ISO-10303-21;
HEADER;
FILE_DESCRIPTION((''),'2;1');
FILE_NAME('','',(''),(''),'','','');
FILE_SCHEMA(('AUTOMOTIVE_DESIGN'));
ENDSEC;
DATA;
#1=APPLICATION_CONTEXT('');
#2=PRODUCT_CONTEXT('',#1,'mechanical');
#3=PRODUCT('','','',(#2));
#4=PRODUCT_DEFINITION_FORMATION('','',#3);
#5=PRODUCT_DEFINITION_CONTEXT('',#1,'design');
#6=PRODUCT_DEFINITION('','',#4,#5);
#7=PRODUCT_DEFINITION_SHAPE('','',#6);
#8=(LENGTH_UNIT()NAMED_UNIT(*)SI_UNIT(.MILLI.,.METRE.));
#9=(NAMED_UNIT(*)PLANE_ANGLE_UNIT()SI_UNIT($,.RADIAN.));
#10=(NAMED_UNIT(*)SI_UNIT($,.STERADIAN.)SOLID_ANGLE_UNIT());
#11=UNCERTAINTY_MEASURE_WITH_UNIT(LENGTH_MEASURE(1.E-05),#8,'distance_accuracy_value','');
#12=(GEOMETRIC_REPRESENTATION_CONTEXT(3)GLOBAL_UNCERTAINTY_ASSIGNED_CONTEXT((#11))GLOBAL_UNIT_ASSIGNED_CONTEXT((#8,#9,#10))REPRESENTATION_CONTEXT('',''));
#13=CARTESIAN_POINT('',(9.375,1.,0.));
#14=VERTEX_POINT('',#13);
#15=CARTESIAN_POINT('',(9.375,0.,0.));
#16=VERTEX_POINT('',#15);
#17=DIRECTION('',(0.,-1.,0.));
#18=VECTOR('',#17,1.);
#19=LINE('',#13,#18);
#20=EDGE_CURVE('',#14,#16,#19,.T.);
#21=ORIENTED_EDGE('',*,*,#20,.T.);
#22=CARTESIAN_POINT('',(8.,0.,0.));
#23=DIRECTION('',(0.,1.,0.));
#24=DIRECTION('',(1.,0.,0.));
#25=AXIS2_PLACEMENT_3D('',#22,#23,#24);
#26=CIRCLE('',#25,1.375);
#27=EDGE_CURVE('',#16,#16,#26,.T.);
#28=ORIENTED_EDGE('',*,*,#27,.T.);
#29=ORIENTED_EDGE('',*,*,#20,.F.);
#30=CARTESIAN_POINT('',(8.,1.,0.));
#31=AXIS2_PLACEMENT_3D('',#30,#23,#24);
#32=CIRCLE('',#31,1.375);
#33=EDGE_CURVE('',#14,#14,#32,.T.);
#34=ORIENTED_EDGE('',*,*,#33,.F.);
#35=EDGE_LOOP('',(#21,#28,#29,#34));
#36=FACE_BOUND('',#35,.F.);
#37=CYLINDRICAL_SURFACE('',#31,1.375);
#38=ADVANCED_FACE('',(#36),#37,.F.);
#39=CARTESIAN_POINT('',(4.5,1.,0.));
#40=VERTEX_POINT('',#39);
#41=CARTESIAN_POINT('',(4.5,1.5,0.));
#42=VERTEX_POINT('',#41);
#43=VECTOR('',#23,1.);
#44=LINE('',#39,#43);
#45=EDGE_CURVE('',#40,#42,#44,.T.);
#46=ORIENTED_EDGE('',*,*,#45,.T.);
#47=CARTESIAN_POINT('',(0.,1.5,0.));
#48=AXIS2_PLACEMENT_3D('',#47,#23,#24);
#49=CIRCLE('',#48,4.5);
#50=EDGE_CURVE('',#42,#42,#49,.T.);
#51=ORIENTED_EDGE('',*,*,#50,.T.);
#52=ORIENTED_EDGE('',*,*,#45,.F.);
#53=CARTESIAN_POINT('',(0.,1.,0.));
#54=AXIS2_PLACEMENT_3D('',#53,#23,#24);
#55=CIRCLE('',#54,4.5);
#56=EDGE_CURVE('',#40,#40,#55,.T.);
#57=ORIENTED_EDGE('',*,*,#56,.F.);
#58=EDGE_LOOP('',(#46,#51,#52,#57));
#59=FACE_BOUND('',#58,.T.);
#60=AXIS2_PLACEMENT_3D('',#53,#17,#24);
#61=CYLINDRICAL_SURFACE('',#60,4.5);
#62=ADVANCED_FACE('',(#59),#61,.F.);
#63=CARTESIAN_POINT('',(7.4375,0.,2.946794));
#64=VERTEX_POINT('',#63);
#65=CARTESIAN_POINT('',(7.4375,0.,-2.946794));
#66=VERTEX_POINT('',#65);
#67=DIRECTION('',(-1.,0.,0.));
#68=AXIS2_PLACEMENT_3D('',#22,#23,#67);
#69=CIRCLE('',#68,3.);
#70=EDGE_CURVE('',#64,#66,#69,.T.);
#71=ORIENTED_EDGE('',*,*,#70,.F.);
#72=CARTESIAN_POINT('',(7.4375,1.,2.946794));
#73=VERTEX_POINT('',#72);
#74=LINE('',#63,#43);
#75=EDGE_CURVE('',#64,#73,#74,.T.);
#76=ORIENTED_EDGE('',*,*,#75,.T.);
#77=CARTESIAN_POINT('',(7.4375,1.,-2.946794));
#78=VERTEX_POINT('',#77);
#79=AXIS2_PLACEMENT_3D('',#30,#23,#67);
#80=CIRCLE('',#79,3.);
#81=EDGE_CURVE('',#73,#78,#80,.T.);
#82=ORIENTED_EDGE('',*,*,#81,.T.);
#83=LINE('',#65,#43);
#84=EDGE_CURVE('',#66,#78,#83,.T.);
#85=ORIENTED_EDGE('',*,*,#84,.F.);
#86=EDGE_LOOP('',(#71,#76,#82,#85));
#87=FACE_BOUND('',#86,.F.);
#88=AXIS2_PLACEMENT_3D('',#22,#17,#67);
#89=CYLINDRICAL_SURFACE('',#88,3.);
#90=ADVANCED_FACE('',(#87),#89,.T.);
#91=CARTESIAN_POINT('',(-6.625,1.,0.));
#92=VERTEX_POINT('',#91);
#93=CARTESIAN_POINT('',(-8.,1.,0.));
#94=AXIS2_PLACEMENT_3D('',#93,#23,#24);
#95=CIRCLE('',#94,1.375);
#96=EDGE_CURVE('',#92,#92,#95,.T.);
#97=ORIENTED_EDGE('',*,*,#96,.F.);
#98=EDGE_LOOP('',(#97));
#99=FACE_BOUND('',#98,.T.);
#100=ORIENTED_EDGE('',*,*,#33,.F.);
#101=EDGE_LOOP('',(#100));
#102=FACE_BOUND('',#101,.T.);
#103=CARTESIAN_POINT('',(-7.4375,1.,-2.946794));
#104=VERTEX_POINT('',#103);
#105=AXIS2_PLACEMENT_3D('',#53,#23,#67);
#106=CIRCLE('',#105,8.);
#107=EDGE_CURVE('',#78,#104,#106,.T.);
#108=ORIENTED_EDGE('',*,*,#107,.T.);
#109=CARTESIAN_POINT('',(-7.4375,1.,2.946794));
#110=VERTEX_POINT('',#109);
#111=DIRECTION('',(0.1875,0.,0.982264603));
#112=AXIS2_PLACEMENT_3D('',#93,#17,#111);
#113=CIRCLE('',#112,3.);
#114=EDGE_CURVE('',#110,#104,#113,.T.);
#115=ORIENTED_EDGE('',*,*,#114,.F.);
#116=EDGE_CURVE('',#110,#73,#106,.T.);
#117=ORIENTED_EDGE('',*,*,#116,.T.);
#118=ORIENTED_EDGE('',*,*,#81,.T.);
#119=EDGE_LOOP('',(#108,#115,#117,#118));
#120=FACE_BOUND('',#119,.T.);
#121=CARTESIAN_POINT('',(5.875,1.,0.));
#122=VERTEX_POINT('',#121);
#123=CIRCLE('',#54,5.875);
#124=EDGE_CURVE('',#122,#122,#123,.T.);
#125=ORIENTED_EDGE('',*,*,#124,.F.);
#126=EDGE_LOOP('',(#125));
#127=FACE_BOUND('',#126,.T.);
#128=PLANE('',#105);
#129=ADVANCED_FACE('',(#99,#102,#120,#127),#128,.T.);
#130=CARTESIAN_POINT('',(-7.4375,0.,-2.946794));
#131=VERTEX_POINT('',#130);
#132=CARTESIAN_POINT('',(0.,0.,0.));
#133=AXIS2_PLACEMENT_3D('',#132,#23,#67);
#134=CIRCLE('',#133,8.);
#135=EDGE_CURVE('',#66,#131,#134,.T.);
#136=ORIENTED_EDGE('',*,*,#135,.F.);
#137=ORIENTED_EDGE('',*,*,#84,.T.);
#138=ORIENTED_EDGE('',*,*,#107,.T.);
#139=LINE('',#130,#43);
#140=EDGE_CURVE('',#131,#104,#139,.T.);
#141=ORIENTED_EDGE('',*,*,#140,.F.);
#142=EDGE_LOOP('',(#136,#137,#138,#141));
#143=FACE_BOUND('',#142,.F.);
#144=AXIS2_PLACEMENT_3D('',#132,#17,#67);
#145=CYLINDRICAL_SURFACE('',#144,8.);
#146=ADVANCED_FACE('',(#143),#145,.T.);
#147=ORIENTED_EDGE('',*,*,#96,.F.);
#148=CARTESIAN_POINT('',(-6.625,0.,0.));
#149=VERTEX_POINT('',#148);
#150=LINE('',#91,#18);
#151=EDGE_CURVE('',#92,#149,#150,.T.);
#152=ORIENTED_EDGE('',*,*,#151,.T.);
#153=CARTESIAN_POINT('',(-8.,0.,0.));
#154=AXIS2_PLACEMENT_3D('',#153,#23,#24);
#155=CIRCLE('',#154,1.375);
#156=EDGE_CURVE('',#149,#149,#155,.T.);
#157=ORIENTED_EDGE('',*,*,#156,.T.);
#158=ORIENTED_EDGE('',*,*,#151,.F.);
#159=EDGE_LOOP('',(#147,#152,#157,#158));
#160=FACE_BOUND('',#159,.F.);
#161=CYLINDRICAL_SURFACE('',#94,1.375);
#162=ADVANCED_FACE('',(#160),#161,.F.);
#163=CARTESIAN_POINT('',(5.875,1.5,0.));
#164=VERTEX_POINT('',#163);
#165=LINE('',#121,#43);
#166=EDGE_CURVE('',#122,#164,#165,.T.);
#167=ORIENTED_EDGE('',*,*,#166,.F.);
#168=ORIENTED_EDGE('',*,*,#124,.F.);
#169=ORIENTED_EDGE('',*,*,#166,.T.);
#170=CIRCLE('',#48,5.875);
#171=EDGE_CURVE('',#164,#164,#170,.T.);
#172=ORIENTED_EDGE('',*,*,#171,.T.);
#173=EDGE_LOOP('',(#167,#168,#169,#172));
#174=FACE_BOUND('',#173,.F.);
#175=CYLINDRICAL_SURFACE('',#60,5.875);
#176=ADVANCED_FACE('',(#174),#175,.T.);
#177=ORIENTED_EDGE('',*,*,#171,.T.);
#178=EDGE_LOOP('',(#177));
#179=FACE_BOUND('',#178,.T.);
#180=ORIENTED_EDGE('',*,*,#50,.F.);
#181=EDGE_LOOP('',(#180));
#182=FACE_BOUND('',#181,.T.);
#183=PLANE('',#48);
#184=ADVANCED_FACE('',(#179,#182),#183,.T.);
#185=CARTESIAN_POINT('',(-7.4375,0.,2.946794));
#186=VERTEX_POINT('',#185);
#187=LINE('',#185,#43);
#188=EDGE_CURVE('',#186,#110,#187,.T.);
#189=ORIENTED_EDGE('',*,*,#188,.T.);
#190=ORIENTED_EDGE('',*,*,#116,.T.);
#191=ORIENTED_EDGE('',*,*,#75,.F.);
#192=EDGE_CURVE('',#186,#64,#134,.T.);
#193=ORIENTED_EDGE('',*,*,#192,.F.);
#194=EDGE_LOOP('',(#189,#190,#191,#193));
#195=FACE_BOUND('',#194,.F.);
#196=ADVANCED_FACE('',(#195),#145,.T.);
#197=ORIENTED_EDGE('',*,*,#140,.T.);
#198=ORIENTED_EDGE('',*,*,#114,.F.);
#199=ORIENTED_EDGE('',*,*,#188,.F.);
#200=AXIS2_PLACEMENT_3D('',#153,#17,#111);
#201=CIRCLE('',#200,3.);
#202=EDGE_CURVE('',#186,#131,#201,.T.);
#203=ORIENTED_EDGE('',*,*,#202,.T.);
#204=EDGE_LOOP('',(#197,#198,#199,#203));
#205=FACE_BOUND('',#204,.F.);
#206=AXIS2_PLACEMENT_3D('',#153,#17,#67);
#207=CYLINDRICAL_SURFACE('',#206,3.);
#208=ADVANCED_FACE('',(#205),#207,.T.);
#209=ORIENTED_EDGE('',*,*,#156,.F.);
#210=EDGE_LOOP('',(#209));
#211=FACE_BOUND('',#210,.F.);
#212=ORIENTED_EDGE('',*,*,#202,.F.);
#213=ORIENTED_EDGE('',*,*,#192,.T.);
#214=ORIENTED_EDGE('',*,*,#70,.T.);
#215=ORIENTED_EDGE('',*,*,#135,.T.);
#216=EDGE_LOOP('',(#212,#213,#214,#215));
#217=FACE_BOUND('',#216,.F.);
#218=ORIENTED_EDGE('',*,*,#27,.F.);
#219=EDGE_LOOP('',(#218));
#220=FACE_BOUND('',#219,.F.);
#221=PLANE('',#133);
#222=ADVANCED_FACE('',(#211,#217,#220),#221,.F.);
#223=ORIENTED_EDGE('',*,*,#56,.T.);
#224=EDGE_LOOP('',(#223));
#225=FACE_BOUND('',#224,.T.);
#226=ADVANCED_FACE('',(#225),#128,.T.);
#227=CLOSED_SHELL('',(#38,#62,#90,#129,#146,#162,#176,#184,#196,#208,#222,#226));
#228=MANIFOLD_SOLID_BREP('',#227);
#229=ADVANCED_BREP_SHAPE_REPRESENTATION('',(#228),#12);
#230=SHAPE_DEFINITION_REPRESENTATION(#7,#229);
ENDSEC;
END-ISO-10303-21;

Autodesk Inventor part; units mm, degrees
ref_plane "YZ Plane" through (0, 0, 0) normal (1, 0, 0) x (0, 1, 0)
ref_plane "XZ Plane" through (0, 0, 0) normal (0, 1, 0) x (-1, 0, 0)
ref_plane "XY Plane" through (0, 0, 0) normal (0, 0, 1) x (1, 0, 0)
sketch "Skizze1" plane through (0, 0, 0) normal (0, 1, 0) x (-1, 0, 0)
  circle A0 centre (0, 0) radius 8
  circle A1 centre (-8, 0) radius 3
  circle A2 centre (8, 0) radius 3
  line L0 (8, 0) -> (-8, 0)
  dimension "d0" = 16
  dimension "d1" = 6
  dimension "d2" = 6
extrude "Extrusion1" add sketch "Skizze1" along normal blind 1
sketch "Skizze2" plane through (0, 1, 0) normal (0, 1, 0) x (1, 0, 0)
  arc A0 (7.4375, 2.9468) -> (-7.4375, 2.9468) centre (0, 0) ccw projected
  circle A1 centre (0, 0) radius 5.875
  circle A2 centre (0, 0) radius 4.5
  dimension "d5" = 11.75
  dimension "d6" = 9
extrude "Extrusion2" add sketch "Skizze2" along normal blind 0.5
sketch "Skizze3" plane through (0, 1, 0) normal (0, 1, 0) x (1, 0, 0)
  arc A0 (7.4375, -2.9468) -> (7.4375, 2.9468) centre (8, 0) ccw projected
  arc A1 (-7.4375, 2.9468) -> (-7.4375, -2.9468) centre (-8, 0) ccw projected
  circle A2 centre (-8, 0) radius 1.375
  circle A3 centre (8, 0) radius 1.375
  dimension "d9" = 2.75
  dimension "d10" = 2.75
extrude "Extrusion3" cut sketch "Skizze3" against normal up to next
properties part number "top"
